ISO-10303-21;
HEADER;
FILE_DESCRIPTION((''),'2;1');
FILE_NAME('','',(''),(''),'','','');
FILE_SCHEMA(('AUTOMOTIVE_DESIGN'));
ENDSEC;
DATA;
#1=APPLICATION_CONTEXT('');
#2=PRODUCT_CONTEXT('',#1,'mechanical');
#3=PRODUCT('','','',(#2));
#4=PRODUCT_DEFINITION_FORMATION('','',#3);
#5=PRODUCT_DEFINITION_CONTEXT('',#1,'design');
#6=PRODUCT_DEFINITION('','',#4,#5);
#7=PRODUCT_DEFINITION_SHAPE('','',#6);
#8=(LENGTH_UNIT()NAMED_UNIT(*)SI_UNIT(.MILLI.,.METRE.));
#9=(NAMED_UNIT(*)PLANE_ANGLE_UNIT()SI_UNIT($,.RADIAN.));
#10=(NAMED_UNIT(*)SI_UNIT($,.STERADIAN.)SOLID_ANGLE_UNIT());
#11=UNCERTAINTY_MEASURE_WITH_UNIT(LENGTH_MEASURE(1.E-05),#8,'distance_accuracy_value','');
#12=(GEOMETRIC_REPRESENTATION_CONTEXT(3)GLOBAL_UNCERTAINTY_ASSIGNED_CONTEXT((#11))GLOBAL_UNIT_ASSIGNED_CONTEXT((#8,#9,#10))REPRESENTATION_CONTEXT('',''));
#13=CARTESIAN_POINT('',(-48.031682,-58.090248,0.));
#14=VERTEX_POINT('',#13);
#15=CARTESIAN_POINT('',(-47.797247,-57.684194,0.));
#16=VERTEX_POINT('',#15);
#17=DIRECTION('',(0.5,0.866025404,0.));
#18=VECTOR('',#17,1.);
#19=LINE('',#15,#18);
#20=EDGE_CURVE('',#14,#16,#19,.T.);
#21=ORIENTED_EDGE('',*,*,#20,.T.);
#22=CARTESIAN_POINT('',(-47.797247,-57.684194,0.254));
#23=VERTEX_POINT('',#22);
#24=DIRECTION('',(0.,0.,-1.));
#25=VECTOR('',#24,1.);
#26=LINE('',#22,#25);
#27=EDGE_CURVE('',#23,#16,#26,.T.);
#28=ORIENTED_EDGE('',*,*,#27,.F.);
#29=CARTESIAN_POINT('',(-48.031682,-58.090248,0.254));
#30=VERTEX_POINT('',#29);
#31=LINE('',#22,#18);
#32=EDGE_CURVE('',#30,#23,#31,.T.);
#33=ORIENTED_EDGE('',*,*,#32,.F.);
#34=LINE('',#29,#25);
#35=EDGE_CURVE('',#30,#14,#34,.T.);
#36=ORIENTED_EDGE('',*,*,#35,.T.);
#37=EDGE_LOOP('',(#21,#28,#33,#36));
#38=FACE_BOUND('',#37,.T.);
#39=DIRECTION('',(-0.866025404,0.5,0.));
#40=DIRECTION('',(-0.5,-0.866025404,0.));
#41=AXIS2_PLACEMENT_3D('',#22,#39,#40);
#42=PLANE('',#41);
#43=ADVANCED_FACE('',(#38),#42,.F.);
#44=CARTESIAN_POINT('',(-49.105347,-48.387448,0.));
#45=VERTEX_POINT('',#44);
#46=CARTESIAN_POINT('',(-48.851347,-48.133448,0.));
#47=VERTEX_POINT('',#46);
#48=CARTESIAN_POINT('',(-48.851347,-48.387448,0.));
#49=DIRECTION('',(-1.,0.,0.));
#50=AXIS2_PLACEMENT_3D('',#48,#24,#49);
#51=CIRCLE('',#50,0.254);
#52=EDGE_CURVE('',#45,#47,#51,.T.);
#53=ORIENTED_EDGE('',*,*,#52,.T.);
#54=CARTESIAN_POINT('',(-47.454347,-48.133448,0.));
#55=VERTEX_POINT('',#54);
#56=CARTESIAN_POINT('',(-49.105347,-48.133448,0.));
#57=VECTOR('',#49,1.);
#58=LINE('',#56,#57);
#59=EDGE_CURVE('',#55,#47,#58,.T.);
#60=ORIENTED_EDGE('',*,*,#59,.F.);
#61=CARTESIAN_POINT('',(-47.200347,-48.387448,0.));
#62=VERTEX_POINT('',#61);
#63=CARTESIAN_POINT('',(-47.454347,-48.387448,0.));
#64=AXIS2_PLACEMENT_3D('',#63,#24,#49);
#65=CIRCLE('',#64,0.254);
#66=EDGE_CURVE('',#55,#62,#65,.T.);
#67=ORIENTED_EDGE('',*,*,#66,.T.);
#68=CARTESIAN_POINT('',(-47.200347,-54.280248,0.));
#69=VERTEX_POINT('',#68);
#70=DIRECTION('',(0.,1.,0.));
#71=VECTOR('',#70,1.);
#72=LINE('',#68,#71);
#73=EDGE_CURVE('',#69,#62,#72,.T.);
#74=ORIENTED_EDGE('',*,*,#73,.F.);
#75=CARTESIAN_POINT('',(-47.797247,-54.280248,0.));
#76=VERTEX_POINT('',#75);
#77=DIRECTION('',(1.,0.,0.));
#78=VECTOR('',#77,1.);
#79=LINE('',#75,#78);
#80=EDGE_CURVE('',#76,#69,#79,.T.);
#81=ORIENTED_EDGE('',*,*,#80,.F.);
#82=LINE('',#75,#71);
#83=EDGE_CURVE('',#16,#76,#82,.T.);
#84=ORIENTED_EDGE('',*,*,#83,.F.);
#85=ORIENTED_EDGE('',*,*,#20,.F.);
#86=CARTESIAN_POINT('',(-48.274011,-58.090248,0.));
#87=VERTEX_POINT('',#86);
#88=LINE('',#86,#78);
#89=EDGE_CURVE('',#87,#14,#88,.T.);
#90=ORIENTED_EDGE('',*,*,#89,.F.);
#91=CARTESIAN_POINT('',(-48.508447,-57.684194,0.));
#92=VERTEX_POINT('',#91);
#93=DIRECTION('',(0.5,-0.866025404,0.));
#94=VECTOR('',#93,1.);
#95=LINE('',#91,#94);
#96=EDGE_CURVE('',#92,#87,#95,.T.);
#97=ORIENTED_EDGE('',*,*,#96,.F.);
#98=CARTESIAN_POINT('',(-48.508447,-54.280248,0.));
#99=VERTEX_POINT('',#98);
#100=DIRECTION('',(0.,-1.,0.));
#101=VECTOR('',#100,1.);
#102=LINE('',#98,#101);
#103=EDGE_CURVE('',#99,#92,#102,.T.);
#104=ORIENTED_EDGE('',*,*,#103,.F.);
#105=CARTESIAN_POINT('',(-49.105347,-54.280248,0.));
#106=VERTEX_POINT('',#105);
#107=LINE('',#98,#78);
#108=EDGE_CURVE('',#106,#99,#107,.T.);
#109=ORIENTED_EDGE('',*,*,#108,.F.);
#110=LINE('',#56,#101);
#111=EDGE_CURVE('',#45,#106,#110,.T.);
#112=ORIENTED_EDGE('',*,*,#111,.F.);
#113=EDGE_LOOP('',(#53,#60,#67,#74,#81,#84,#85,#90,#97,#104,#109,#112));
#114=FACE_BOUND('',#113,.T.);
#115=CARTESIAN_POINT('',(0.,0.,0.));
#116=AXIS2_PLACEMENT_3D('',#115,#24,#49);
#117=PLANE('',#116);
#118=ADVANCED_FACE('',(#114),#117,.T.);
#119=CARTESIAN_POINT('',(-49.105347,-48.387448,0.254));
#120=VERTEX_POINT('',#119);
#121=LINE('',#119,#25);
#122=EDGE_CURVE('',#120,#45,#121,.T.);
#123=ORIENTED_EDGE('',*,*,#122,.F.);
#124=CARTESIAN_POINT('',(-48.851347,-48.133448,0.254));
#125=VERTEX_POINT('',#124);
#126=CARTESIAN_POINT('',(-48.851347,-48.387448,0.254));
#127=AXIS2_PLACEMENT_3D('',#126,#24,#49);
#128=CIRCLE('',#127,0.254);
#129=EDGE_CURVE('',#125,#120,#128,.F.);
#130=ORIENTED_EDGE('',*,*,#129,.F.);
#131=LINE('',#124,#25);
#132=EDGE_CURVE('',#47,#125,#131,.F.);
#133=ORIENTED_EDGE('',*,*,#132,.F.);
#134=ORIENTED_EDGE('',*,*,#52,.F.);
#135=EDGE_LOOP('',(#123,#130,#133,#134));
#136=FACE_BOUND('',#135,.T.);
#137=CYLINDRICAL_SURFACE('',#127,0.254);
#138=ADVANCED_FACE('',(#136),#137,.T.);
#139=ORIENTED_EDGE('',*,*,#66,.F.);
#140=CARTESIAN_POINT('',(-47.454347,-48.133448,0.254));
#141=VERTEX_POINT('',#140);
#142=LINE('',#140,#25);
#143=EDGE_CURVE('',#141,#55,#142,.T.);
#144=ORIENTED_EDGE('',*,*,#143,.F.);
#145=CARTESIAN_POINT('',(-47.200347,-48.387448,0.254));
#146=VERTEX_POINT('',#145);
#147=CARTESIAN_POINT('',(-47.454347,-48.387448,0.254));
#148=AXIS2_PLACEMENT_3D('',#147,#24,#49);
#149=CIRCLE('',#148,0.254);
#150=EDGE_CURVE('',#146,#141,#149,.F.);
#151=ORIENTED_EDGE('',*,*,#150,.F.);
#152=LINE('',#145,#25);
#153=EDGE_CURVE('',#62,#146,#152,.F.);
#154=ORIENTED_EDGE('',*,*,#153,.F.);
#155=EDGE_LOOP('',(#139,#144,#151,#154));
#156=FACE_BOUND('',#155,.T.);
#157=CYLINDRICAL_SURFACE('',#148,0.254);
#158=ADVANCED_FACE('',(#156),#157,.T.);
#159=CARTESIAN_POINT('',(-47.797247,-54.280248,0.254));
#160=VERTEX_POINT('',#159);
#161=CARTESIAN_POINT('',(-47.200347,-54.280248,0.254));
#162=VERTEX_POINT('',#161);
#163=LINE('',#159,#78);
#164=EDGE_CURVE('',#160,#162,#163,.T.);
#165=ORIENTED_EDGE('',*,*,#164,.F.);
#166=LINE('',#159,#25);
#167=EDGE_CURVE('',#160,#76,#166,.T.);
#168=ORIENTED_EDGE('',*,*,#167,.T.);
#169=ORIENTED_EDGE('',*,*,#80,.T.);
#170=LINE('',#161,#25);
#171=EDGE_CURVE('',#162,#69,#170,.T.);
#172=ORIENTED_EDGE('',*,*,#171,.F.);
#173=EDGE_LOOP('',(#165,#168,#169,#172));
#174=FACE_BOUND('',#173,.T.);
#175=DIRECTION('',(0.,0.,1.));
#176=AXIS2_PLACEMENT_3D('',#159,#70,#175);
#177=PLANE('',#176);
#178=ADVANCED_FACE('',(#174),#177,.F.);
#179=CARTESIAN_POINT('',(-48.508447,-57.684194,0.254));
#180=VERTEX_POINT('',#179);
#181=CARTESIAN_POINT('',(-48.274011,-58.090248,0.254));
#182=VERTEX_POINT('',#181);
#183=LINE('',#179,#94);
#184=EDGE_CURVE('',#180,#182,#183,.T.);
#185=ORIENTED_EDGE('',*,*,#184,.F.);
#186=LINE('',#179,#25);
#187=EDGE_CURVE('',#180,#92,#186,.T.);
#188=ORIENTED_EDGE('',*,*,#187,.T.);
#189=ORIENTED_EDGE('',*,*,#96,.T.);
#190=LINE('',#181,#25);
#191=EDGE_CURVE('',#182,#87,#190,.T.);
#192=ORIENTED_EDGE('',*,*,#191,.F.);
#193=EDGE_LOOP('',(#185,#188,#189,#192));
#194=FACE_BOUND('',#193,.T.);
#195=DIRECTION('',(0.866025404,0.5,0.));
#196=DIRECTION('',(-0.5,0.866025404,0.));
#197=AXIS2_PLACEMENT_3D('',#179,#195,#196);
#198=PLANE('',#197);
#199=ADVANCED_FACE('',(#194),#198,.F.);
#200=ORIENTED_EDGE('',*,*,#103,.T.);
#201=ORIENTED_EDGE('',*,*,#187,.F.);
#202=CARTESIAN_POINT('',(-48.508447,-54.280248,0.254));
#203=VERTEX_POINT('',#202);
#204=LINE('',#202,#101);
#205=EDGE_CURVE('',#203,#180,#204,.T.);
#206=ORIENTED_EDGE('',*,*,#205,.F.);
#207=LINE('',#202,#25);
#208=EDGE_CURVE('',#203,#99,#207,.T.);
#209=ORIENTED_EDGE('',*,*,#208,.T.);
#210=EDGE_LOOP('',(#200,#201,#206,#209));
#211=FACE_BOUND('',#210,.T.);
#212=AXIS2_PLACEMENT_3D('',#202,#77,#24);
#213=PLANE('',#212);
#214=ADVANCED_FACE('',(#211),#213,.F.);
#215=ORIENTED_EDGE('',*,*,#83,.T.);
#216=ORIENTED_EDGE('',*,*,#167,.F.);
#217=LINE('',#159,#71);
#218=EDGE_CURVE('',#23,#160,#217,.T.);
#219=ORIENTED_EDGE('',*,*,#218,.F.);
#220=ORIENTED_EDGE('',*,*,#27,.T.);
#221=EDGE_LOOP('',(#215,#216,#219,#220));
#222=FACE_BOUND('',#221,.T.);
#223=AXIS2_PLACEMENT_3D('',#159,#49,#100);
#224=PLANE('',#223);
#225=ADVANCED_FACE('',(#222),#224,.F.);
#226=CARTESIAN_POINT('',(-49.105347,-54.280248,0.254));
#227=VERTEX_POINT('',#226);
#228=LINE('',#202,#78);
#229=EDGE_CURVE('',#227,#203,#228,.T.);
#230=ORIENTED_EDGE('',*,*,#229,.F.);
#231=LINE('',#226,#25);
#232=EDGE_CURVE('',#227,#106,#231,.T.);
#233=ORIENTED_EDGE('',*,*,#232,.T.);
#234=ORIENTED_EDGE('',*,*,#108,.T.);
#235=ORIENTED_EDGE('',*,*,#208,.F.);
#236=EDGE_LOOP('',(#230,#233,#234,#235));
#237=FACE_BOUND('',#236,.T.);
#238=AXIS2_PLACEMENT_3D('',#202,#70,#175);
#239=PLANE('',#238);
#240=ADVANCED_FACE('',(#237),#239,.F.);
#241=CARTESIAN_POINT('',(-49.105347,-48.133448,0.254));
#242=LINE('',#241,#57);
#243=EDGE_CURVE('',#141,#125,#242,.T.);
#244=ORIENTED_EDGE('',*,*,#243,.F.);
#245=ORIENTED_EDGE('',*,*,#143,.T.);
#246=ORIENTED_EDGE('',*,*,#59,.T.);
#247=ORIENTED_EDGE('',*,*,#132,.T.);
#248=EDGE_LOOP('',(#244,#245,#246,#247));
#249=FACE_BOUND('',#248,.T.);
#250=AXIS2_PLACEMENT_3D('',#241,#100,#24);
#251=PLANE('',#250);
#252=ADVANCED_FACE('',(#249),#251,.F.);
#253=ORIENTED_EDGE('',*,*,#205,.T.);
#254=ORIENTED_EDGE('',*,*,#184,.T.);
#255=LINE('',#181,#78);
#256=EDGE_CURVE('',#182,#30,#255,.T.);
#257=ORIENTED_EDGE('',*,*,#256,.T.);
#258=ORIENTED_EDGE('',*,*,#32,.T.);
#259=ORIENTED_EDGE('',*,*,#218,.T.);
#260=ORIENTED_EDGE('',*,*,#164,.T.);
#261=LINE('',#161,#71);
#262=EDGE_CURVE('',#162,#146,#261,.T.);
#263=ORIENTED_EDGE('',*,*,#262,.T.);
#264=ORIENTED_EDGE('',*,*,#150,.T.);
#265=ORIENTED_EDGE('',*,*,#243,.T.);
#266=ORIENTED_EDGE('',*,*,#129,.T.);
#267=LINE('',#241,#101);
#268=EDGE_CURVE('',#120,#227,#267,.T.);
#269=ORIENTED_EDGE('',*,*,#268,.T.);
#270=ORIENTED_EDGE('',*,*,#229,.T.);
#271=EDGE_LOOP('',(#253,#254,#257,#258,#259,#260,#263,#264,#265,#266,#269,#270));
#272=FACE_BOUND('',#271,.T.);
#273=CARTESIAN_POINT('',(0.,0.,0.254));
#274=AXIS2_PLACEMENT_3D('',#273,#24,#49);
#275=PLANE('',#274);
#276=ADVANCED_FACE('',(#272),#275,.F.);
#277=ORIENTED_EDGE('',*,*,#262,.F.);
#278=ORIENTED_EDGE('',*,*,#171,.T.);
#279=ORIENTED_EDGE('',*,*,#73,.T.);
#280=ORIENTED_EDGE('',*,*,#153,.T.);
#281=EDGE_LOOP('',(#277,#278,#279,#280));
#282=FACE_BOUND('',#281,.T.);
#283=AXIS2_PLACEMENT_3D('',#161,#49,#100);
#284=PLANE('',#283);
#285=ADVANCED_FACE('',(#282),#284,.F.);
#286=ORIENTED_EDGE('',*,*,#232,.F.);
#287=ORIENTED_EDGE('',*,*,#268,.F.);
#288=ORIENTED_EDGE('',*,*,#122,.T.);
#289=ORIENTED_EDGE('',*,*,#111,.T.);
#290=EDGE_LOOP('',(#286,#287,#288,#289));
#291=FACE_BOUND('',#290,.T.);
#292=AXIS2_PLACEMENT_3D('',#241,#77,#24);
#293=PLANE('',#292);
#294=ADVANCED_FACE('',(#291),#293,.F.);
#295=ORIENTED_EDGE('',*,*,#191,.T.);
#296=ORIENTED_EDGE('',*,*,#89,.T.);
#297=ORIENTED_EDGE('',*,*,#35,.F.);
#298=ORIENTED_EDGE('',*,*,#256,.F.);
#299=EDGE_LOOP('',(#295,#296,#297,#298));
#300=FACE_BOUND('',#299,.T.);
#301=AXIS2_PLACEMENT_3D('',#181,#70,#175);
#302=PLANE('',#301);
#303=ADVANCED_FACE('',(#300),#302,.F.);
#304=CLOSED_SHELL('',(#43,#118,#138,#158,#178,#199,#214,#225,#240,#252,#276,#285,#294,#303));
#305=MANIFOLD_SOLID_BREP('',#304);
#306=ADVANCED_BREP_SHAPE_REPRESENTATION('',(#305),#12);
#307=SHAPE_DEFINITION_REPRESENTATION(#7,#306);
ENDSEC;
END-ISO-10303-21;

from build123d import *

# Parameters (mm, degrees)
BOSS_EXTRUDE1_DEPTH = 0.254
FILLET2_R           = 0.254


with BuildPart() as part:
    # Sketch1 → Boss-Extrude1 (new body)
    with BuildSketch(Plane.XY):
        Polygon((-49.105346889, -48.133448144), (-47.200346889, -48.133448144), (-47.200346889, -54.280248144), (-47.797246889, -54.280248144), (-47.797246889, -57.684193827), (-48.031682458, -58.090248144), (-48.27401132, -58.090248144), (-48.508446889, -57.684193827), (-48.508446889, -54.280248144), (-49.105346889, -54.280248144), align=None)
    extrude(amount=BOSS_EXTRUDE1_DEPTH)

    # Fillet2
    fillet2_edges = [part.edges().sort_by_distance(p)[0] for p in [
        (-49.105346889, -48.133448144, 0.127),
        (-47.200346889, -48.133448144, 0.127),
    ]]
    fillet(fillet2_edges, radius=FILLET2_R)


solid = part.part
